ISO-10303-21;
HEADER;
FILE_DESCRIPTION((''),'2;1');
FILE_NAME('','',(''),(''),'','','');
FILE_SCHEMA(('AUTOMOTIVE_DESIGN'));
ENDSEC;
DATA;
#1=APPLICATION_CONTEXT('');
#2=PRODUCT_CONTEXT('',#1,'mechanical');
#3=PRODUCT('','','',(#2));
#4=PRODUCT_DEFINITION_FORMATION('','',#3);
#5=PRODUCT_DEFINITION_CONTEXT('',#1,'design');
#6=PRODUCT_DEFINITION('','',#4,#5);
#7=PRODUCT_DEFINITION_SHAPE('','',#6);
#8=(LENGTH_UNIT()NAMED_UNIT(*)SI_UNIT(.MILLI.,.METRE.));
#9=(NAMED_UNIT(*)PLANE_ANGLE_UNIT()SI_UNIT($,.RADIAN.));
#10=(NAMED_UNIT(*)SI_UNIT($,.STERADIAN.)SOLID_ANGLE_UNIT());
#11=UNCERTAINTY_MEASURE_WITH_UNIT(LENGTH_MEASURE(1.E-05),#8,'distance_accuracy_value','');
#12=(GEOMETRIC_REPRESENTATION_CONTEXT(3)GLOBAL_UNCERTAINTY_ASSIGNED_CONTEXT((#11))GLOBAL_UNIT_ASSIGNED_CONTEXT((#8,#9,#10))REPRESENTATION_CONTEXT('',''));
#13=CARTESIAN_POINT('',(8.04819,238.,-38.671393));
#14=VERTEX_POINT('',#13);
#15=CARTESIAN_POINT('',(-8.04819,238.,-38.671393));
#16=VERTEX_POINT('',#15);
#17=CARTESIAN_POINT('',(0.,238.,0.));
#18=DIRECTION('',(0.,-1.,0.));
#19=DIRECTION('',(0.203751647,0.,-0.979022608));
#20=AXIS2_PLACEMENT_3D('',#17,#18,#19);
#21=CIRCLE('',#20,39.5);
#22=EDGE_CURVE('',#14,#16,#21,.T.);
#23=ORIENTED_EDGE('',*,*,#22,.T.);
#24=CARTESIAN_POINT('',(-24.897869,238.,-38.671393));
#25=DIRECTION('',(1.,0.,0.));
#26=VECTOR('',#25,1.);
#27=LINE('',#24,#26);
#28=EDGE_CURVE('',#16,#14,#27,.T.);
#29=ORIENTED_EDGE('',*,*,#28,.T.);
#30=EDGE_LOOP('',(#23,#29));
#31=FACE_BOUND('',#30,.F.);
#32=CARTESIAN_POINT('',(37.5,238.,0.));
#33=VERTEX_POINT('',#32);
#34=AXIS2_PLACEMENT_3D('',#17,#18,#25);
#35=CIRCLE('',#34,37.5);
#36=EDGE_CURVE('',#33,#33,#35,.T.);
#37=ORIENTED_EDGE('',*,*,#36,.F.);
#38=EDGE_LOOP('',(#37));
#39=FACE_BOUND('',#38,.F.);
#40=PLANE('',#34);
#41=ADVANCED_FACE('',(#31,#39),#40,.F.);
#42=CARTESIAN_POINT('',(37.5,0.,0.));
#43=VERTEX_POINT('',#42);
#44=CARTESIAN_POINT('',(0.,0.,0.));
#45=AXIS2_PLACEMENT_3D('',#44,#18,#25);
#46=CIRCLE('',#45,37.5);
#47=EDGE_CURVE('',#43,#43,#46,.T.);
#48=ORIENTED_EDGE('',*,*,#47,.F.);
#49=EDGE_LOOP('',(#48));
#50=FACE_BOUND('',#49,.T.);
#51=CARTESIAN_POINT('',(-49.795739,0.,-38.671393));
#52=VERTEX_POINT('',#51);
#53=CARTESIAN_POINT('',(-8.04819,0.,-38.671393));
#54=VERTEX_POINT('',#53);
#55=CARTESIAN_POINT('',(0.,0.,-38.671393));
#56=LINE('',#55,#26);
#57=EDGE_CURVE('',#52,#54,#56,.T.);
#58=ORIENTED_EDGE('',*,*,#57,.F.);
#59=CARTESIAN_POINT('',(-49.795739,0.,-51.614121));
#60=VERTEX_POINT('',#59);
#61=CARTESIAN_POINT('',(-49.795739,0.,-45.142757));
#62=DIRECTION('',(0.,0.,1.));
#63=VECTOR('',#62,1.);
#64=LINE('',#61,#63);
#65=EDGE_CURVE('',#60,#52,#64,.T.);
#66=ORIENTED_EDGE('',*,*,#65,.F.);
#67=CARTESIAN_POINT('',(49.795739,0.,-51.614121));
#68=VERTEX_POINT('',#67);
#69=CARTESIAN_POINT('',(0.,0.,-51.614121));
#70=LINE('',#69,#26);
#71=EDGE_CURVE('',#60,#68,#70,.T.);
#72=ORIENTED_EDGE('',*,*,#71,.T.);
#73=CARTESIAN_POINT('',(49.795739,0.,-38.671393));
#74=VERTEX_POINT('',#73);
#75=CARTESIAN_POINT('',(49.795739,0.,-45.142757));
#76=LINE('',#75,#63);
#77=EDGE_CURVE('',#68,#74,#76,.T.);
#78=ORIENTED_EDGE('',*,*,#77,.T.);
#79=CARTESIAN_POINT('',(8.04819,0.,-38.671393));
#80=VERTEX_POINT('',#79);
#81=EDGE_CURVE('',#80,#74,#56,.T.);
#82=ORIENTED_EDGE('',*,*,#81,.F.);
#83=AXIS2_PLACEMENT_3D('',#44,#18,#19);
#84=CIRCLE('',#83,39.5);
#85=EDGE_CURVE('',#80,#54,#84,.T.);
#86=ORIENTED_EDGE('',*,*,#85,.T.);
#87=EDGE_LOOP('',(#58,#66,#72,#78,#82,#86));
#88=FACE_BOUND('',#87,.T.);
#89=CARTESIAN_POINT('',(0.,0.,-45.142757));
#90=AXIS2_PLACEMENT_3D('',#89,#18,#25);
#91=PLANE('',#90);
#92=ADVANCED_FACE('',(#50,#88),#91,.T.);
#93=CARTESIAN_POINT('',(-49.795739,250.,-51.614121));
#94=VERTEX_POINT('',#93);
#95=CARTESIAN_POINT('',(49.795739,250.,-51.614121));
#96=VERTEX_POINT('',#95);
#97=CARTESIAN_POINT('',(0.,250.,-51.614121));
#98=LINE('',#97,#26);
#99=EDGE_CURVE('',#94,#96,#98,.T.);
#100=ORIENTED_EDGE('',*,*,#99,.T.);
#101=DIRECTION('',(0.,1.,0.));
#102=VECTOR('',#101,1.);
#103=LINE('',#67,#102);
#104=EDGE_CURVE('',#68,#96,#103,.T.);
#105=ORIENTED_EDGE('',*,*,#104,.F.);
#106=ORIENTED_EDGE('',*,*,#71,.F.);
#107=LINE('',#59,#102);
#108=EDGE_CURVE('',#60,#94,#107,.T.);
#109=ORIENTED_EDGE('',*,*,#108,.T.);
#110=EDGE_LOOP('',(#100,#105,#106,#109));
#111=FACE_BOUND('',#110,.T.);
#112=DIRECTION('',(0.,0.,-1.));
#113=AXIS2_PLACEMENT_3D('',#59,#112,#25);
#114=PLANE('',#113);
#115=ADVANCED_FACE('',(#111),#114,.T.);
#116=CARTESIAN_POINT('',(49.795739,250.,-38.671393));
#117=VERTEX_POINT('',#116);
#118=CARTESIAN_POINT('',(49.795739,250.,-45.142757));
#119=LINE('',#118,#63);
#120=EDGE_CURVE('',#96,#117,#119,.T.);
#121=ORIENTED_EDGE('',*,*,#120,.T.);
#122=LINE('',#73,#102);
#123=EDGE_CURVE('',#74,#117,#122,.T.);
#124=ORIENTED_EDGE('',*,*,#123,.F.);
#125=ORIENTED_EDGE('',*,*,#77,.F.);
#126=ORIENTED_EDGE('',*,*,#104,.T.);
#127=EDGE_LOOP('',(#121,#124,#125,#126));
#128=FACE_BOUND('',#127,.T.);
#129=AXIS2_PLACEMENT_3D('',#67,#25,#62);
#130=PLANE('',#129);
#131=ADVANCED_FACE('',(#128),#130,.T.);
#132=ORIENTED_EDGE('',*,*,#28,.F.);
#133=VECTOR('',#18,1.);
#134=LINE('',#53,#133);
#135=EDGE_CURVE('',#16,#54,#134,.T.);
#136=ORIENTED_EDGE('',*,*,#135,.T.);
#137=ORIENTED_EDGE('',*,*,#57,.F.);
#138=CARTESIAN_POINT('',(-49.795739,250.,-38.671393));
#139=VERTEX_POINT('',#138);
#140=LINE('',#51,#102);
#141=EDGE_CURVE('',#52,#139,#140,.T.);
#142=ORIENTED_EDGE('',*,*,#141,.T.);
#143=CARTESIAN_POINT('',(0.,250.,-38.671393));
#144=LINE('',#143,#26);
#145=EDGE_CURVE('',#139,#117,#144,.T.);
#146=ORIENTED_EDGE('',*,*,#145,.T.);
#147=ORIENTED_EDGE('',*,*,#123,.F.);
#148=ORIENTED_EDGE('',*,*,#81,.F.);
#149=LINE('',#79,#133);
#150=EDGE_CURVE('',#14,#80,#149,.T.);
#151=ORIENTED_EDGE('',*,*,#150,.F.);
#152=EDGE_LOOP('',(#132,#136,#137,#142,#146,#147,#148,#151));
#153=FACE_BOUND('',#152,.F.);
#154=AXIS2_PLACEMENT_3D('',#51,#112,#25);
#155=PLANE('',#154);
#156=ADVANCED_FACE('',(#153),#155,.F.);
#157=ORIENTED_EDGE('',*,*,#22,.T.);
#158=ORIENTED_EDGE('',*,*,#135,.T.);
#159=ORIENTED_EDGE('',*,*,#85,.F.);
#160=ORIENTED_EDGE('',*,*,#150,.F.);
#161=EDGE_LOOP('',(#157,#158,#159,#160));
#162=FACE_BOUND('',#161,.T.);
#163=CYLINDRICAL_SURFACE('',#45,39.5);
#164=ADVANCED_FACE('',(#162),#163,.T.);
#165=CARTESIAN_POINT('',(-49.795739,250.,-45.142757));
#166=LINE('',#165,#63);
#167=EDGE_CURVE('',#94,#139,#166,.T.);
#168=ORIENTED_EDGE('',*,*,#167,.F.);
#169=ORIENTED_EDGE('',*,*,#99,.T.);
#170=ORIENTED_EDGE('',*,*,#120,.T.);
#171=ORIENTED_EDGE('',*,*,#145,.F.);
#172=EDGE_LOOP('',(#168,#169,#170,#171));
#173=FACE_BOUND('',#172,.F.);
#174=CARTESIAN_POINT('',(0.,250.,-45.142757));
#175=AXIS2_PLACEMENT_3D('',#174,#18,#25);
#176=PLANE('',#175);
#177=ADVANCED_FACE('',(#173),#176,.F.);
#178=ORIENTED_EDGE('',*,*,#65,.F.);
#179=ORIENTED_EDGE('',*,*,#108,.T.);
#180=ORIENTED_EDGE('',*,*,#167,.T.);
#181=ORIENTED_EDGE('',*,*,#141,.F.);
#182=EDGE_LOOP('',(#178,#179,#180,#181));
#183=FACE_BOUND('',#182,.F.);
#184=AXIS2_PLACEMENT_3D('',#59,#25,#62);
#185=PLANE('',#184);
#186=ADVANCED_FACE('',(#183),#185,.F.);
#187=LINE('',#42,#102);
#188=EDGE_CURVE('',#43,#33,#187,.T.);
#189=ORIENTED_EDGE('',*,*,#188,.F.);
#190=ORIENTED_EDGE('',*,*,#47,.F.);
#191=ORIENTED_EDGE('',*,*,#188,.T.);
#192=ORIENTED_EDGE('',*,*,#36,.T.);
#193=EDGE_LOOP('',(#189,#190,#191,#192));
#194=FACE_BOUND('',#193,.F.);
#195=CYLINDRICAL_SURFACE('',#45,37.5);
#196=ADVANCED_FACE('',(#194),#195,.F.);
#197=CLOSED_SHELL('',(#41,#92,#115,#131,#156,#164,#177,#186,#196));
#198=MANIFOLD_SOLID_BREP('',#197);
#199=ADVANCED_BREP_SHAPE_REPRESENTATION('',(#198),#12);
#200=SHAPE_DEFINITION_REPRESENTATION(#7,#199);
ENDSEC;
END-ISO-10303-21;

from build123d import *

# Parameters (mm, degrees)
F0_R     = 39.5
F0_R_2   = 37.5
F1_DEPTH = 238
F2_W     = 99.591478
F2_H     = 12.942728
F3_DEPTH = 250


with BuildPart() as f1:
    # F0 (on Front) → F1 (new body)
    with BuildSketch(Plane.XZ):
        Circle(F0_R)
        Circle(F0_R_2, mode=Mode.SUBTRACT)
    extrude(amount=-F1_DEPTH)

    # F2 (on Front) → F3 (join)
    with BuildSketch(Plane.XZ):
        with Locations((0, -45.142757)):
            Rectangle(F2_W, F2_H)
    extrude(amount=-F3_DEPTH)


solid = f1.part
